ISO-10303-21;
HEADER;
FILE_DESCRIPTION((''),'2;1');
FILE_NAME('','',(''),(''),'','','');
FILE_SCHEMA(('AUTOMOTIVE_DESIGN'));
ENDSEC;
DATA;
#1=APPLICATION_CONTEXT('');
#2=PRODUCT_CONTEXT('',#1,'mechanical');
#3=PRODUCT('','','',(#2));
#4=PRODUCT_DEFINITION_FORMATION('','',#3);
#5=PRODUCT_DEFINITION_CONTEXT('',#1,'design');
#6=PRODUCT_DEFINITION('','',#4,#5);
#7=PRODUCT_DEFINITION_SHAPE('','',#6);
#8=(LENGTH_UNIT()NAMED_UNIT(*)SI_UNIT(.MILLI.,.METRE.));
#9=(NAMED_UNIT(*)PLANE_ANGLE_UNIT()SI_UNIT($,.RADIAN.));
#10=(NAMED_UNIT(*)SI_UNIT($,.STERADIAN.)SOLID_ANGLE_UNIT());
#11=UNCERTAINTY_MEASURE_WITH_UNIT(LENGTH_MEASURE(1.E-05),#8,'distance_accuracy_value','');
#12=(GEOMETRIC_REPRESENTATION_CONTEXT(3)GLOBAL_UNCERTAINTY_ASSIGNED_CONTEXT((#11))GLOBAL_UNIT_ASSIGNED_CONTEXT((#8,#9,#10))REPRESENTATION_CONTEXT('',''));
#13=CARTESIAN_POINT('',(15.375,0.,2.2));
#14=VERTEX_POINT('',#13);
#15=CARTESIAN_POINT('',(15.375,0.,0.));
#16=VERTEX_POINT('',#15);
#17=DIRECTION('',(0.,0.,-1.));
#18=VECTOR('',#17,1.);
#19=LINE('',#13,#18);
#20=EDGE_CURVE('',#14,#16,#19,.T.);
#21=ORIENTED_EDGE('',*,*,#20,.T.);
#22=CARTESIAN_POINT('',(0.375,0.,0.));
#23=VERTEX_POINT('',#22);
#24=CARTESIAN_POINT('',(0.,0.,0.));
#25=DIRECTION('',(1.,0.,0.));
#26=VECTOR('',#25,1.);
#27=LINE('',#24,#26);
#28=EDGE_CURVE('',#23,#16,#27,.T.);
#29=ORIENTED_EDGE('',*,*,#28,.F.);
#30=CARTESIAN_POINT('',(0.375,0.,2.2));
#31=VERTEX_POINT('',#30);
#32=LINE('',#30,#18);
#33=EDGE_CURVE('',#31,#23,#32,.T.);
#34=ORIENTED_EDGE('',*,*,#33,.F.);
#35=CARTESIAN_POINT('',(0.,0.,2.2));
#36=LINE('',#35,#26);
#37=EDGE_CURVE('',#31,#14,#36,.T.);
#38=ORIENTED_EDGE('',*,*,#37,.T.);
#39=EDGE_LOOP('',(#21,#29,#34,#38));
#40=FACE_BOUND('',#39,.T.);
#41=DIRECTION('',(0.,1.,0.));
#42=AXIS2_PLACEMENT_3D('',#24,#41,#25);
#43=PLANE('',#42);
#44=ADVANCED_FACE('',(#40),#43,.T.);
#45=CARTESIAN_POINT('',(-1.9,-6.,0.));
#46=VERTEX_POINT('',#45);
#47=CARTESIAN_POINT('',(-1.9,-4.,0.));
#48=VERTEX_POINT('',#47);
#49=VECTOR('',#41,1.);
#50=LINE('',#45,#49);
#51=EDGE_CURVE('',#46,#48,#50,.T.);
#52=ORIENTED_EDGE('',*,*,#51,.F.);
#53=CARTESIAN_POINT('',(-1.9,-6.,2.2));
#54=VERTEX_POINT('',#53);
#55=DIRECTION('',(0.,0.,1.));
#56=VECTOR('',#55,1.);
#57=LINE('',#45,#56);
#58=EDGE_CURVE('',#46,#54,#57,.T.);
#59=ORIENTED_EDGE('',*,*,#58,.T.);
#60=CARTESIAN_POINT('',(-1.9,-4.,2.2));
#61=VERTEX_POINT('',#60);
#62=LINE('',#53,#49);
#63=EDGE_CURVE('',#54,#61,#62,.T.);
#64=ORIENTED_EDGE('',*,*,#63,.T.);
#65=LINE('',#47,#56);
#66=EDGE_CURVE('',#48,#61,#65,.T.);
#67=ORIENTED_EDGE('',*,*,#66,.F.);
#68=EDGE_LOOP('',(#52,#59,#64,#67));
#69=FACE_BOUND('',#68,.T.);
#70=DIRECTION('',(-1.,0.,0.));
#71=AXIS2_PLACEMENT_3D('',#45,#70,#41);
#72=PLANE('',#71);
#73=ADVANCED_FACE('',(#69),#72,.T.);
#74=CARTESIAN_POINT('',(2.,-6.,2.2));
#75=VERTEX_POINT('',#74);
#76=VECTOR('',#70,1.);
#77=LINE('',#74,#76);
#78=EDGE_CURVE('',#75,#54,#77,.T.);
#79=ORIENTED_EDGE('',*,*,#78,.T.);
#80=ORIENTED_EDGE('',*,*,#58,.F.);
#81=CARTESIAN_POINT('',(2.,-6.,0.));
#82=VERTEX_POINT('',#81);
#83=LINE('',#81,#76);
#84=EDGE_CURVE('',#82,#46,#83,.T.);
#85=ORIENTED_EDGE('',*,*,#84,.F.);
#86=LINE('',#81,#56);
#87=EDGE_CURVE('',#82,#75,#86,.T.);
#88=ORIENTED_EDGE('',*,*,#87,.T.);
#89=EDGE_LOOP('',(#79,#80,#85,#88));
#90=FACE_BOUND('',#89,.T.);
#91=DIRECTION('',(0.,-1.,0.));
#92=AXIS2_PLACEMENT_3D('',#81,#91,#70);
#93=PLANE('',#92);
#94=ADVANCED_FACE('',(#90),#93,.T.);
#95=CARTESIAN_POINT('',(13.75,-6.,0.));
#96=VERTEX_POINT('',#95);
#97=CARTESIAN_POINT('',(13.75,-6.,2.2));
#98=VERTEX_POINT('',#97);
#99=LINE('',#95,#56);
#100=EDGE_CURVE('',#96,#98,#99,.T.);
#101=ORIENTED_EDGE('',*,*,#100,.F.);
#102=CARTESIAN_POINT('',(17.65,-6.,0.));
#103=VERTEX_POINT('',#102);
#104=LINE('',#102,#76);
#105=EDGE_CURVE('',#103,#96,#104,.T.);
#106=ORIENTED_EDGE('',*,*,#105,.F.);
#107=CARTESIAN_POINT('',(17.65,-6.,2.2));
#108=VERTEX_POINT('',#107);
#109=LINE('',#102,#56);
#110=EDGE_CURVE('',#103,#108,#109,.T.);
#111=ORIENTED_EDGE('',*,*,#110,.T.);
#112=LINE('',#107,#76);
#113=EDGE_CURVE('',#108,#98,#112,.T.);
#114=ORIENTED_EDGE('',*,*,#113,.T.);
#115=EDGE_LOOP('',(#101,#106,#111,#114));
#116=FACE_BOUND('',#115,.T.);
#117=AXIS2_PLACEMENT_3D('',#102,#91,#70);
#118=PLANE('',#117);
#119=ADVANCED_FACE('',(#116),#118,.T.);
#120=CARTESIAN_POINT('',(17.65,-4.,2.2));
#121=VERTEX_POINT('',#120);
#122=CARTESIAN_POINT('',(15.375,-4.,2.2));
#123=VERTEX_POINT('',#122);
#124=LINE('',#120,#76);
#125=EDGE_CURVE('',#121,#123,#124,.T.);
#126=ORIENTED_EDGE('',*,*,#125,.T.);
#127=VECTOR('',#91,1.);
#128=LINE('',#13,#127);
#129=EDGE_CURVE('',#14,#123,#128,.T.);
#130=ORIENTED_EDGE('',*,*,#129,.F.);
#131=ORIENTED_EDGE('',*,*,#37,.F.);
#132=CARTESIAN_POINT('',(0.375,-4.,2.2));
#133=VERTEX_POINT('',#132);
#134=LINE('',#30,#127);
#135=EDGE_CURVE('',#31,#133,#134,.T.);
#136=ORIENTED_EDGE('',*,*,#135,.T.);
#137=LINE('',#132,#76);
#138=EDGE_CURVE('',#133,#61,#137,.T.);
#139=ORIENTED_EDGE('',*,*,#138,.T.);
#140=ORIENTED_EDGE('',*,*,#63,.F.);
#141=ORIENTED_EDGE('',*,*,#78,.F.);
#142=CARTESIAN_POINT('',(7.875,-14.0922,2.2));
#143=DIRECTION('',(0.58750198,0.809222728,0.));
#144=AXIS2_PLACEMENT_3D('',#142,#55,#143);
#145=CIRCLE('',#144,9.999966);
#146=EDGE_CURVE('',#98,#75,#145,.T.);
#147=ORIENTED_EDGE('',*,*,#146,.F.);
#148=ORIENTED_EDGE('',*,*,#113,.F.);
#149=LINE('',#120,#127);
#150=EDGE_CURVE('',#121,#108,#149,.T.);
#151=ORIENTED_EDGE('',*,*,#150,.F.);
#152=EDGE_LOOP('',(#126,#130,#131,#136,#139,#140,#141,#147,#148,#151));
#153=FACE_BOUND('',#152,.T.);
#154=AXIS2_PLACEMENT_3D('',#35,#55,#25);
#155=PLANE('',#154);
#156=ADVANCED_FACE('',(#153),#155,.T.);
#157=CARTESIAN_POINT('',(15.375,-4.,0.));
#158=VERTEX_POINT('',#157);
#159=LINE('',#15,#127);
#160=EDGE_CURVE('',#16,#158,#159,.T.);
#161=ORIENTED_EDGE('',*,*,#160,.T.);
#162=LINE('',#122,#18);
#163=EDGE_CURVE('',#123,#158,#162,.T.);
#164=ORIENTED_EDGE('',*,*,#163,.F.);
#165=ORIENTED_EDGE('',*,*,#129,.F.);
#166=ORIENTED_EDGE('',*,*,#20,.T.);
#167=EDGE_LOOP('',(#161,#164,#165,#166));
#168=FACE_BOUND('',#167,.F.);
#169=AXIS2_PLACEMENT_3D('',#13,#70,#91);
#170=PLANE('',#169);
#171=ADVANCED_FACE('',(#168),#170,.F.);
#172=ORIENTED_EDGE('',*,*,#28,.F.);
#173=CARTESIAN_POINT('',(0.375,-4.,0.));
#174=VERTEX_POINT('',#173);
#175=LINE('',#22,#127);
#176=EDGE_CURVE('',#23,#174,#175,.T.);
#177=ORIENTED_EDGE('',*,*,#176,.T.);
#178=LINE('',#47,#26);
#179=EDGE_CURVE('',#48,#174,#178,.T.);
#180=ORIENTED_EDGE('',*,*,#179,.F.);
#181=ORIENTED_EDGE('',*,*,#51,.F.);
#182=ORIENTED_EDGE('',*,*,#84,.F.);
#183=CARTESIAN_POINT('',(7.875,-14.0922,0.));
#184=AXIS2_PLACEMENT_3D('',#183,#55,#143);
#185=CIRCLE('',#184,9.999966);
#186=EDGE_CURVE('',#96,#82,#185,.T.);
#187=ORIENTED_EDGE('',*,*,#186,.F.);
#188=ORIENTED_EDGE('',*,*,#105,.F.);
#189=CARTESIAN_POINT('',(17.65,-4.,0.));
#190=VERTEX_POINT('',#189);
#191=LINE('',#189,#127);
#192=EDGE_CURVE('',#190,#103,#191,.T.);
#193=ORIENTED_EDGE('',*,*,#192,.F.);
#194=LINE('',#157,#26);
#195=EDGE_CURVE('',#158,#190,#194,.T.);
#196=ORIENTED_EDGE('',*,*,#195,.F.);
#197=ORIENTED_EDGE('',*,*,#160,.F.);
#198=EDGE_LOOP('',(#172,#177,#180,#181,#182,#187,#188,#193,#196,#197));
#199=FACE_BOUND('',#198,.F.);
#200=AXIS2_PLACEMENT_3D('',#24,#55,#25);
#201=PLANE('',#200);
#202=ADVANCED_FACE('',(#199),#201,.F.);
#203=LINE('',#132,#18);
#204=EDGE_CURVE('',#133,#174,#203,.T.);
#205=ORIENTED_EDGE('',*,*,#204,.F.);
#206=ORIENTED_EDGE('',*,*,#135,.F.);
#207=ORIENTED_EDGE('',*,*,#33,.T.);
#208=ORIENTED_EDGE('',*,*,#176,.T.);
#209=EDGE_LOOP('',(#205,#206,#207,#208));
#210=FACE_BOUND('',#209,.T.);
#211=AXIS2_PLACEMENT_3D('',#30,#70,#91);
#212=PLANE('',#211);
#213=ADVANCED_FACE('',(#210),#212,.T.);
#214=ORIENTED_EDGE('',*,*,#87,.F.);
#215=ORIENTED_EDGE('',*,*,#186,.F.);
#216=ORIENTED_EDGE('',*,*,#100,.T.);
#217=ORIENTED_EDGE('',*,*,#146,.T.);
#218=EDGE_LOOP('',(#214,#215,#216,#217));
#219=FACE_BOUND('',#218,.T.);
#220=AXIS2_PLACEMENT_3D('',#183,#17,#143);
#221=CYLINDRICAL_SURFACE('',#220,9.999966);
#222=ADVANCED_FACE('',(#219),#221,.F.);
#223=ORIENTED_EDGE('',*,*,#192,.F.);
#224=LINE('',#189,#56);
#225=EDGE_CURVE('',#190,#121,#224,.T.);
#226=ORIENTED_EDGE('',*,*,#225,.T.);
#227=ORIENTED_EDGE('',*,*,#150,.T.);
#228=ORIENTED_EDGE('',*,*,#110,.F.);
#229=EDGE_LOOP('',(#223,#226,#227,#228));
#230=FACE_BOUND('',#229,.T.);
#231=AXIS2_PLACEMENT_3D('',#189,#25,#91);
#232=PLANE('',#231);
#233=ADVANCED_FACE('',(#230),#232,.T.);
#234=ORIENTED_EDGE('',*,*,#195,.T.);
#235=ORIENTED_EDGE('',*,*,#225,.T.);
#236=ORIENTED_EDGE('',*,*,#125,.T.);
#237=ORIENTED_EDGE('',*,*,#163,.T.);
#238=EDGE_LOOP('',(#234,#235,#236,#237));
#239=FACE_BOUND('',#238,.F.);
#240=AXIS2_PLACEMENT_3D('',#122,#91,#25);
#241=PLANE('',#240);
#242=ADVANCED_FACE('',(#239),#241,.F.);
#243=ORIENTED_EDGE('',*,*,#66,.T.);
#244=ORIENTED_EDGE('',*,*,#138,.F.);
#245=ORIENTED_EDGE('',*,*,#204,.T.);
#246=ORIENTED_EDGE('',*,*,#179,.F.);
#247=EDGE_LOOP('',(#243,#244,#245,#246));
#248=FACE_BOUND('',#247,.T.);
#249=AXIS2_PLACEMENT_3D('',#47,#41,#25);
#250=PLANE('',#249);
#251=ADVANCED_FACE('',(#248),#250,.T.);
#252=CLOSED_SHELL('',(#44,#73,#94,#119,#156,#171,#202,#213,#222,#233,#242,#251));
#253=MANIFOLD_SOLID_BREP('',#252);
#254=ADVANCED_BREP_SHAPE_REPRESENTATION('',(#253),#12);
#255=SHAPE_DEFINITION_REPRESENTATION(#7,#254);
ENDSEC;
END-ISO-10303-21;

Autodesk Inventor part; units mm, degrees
ref_plane "YZ Plane" through (0, 0, 0) normal (1, 0, 0) x (0, 1, 0)
ref_plane "XZ Plane" through (0, 0, 0) normal (0, 1, 0) x (-1, 0, 0)
ref_plane "XY Plane" through (0, 0, 0) normal (0, 0, 1) x (1, 0, 0)
sketch "Sketch1" plane through (0, 0, 0) normal (0, 0, 1) x (1, 0, 0)
  line L0 (0, 0) -> (15.75, 0)
  line L1 (15.75, 0) -> (15.75, -4)
  line L2 (0, -4) -> (0, 0)
  line L3 (17.65, -4) -> (17.65, -6)
  line L4 (-1.9, -6) -> (-1.9, -4)
  line L5 (-1.9, -4) -> (0, -4)
  line L6 (15.75, -4) -> (17.65, -4)
  line L7 (2, 0) -> (2, -6) construction
  line L8 (13.75, 0) -> (13.75, -6) construction
  arc A0 (13.75, -6) -> (2, -6) centre (7.875, -14.0922) ccw
  line L9 (17.65, -6) -> (13.75, -6)
  line L10 (2, -6) -> (-1.9, -6)
  dimension "d2" = 1.9
  dimension "d3" = 4
  dimension "d4" = 2
  dimension "d5" = 15.75
  dimension "d6" = 2
  dimension "d7" = 2
  dimension "d8" = 10
extrude "Extrusion1" add sketch "Sketch1" along normal blind 2.2
sketch "Sketch2" plane through (0, 0, 2.2) normal (0, 0, 1) x (1, 0, 0)
  line L0 (0, 0) -> (0.375, 0)
  line L1 (0.375, 0) -> (0.375, -4)
  line L2 (0.375, -4) -> (0, -4)
  line L3 (0, -4) -> (0, 0)
  line L4 (15.75, 0) -> (0, 0) projected
  line L5 (15.75, 0) -> (15.375, 0)
  line L6 (15.375, 0) -> (15.375, -4)
  line L7 (15.375, -4) -> (15.75, -4)
  line L8 (15.75, -4) -> (15.75, 0)
  dimension "d11" = 15
  dimension "d12" = 4
extrude "Extrusion2" cut sketch "Sketch2" against normal up to surface (2.2 mm away)
properties part number "Light Pipe Commodore"
